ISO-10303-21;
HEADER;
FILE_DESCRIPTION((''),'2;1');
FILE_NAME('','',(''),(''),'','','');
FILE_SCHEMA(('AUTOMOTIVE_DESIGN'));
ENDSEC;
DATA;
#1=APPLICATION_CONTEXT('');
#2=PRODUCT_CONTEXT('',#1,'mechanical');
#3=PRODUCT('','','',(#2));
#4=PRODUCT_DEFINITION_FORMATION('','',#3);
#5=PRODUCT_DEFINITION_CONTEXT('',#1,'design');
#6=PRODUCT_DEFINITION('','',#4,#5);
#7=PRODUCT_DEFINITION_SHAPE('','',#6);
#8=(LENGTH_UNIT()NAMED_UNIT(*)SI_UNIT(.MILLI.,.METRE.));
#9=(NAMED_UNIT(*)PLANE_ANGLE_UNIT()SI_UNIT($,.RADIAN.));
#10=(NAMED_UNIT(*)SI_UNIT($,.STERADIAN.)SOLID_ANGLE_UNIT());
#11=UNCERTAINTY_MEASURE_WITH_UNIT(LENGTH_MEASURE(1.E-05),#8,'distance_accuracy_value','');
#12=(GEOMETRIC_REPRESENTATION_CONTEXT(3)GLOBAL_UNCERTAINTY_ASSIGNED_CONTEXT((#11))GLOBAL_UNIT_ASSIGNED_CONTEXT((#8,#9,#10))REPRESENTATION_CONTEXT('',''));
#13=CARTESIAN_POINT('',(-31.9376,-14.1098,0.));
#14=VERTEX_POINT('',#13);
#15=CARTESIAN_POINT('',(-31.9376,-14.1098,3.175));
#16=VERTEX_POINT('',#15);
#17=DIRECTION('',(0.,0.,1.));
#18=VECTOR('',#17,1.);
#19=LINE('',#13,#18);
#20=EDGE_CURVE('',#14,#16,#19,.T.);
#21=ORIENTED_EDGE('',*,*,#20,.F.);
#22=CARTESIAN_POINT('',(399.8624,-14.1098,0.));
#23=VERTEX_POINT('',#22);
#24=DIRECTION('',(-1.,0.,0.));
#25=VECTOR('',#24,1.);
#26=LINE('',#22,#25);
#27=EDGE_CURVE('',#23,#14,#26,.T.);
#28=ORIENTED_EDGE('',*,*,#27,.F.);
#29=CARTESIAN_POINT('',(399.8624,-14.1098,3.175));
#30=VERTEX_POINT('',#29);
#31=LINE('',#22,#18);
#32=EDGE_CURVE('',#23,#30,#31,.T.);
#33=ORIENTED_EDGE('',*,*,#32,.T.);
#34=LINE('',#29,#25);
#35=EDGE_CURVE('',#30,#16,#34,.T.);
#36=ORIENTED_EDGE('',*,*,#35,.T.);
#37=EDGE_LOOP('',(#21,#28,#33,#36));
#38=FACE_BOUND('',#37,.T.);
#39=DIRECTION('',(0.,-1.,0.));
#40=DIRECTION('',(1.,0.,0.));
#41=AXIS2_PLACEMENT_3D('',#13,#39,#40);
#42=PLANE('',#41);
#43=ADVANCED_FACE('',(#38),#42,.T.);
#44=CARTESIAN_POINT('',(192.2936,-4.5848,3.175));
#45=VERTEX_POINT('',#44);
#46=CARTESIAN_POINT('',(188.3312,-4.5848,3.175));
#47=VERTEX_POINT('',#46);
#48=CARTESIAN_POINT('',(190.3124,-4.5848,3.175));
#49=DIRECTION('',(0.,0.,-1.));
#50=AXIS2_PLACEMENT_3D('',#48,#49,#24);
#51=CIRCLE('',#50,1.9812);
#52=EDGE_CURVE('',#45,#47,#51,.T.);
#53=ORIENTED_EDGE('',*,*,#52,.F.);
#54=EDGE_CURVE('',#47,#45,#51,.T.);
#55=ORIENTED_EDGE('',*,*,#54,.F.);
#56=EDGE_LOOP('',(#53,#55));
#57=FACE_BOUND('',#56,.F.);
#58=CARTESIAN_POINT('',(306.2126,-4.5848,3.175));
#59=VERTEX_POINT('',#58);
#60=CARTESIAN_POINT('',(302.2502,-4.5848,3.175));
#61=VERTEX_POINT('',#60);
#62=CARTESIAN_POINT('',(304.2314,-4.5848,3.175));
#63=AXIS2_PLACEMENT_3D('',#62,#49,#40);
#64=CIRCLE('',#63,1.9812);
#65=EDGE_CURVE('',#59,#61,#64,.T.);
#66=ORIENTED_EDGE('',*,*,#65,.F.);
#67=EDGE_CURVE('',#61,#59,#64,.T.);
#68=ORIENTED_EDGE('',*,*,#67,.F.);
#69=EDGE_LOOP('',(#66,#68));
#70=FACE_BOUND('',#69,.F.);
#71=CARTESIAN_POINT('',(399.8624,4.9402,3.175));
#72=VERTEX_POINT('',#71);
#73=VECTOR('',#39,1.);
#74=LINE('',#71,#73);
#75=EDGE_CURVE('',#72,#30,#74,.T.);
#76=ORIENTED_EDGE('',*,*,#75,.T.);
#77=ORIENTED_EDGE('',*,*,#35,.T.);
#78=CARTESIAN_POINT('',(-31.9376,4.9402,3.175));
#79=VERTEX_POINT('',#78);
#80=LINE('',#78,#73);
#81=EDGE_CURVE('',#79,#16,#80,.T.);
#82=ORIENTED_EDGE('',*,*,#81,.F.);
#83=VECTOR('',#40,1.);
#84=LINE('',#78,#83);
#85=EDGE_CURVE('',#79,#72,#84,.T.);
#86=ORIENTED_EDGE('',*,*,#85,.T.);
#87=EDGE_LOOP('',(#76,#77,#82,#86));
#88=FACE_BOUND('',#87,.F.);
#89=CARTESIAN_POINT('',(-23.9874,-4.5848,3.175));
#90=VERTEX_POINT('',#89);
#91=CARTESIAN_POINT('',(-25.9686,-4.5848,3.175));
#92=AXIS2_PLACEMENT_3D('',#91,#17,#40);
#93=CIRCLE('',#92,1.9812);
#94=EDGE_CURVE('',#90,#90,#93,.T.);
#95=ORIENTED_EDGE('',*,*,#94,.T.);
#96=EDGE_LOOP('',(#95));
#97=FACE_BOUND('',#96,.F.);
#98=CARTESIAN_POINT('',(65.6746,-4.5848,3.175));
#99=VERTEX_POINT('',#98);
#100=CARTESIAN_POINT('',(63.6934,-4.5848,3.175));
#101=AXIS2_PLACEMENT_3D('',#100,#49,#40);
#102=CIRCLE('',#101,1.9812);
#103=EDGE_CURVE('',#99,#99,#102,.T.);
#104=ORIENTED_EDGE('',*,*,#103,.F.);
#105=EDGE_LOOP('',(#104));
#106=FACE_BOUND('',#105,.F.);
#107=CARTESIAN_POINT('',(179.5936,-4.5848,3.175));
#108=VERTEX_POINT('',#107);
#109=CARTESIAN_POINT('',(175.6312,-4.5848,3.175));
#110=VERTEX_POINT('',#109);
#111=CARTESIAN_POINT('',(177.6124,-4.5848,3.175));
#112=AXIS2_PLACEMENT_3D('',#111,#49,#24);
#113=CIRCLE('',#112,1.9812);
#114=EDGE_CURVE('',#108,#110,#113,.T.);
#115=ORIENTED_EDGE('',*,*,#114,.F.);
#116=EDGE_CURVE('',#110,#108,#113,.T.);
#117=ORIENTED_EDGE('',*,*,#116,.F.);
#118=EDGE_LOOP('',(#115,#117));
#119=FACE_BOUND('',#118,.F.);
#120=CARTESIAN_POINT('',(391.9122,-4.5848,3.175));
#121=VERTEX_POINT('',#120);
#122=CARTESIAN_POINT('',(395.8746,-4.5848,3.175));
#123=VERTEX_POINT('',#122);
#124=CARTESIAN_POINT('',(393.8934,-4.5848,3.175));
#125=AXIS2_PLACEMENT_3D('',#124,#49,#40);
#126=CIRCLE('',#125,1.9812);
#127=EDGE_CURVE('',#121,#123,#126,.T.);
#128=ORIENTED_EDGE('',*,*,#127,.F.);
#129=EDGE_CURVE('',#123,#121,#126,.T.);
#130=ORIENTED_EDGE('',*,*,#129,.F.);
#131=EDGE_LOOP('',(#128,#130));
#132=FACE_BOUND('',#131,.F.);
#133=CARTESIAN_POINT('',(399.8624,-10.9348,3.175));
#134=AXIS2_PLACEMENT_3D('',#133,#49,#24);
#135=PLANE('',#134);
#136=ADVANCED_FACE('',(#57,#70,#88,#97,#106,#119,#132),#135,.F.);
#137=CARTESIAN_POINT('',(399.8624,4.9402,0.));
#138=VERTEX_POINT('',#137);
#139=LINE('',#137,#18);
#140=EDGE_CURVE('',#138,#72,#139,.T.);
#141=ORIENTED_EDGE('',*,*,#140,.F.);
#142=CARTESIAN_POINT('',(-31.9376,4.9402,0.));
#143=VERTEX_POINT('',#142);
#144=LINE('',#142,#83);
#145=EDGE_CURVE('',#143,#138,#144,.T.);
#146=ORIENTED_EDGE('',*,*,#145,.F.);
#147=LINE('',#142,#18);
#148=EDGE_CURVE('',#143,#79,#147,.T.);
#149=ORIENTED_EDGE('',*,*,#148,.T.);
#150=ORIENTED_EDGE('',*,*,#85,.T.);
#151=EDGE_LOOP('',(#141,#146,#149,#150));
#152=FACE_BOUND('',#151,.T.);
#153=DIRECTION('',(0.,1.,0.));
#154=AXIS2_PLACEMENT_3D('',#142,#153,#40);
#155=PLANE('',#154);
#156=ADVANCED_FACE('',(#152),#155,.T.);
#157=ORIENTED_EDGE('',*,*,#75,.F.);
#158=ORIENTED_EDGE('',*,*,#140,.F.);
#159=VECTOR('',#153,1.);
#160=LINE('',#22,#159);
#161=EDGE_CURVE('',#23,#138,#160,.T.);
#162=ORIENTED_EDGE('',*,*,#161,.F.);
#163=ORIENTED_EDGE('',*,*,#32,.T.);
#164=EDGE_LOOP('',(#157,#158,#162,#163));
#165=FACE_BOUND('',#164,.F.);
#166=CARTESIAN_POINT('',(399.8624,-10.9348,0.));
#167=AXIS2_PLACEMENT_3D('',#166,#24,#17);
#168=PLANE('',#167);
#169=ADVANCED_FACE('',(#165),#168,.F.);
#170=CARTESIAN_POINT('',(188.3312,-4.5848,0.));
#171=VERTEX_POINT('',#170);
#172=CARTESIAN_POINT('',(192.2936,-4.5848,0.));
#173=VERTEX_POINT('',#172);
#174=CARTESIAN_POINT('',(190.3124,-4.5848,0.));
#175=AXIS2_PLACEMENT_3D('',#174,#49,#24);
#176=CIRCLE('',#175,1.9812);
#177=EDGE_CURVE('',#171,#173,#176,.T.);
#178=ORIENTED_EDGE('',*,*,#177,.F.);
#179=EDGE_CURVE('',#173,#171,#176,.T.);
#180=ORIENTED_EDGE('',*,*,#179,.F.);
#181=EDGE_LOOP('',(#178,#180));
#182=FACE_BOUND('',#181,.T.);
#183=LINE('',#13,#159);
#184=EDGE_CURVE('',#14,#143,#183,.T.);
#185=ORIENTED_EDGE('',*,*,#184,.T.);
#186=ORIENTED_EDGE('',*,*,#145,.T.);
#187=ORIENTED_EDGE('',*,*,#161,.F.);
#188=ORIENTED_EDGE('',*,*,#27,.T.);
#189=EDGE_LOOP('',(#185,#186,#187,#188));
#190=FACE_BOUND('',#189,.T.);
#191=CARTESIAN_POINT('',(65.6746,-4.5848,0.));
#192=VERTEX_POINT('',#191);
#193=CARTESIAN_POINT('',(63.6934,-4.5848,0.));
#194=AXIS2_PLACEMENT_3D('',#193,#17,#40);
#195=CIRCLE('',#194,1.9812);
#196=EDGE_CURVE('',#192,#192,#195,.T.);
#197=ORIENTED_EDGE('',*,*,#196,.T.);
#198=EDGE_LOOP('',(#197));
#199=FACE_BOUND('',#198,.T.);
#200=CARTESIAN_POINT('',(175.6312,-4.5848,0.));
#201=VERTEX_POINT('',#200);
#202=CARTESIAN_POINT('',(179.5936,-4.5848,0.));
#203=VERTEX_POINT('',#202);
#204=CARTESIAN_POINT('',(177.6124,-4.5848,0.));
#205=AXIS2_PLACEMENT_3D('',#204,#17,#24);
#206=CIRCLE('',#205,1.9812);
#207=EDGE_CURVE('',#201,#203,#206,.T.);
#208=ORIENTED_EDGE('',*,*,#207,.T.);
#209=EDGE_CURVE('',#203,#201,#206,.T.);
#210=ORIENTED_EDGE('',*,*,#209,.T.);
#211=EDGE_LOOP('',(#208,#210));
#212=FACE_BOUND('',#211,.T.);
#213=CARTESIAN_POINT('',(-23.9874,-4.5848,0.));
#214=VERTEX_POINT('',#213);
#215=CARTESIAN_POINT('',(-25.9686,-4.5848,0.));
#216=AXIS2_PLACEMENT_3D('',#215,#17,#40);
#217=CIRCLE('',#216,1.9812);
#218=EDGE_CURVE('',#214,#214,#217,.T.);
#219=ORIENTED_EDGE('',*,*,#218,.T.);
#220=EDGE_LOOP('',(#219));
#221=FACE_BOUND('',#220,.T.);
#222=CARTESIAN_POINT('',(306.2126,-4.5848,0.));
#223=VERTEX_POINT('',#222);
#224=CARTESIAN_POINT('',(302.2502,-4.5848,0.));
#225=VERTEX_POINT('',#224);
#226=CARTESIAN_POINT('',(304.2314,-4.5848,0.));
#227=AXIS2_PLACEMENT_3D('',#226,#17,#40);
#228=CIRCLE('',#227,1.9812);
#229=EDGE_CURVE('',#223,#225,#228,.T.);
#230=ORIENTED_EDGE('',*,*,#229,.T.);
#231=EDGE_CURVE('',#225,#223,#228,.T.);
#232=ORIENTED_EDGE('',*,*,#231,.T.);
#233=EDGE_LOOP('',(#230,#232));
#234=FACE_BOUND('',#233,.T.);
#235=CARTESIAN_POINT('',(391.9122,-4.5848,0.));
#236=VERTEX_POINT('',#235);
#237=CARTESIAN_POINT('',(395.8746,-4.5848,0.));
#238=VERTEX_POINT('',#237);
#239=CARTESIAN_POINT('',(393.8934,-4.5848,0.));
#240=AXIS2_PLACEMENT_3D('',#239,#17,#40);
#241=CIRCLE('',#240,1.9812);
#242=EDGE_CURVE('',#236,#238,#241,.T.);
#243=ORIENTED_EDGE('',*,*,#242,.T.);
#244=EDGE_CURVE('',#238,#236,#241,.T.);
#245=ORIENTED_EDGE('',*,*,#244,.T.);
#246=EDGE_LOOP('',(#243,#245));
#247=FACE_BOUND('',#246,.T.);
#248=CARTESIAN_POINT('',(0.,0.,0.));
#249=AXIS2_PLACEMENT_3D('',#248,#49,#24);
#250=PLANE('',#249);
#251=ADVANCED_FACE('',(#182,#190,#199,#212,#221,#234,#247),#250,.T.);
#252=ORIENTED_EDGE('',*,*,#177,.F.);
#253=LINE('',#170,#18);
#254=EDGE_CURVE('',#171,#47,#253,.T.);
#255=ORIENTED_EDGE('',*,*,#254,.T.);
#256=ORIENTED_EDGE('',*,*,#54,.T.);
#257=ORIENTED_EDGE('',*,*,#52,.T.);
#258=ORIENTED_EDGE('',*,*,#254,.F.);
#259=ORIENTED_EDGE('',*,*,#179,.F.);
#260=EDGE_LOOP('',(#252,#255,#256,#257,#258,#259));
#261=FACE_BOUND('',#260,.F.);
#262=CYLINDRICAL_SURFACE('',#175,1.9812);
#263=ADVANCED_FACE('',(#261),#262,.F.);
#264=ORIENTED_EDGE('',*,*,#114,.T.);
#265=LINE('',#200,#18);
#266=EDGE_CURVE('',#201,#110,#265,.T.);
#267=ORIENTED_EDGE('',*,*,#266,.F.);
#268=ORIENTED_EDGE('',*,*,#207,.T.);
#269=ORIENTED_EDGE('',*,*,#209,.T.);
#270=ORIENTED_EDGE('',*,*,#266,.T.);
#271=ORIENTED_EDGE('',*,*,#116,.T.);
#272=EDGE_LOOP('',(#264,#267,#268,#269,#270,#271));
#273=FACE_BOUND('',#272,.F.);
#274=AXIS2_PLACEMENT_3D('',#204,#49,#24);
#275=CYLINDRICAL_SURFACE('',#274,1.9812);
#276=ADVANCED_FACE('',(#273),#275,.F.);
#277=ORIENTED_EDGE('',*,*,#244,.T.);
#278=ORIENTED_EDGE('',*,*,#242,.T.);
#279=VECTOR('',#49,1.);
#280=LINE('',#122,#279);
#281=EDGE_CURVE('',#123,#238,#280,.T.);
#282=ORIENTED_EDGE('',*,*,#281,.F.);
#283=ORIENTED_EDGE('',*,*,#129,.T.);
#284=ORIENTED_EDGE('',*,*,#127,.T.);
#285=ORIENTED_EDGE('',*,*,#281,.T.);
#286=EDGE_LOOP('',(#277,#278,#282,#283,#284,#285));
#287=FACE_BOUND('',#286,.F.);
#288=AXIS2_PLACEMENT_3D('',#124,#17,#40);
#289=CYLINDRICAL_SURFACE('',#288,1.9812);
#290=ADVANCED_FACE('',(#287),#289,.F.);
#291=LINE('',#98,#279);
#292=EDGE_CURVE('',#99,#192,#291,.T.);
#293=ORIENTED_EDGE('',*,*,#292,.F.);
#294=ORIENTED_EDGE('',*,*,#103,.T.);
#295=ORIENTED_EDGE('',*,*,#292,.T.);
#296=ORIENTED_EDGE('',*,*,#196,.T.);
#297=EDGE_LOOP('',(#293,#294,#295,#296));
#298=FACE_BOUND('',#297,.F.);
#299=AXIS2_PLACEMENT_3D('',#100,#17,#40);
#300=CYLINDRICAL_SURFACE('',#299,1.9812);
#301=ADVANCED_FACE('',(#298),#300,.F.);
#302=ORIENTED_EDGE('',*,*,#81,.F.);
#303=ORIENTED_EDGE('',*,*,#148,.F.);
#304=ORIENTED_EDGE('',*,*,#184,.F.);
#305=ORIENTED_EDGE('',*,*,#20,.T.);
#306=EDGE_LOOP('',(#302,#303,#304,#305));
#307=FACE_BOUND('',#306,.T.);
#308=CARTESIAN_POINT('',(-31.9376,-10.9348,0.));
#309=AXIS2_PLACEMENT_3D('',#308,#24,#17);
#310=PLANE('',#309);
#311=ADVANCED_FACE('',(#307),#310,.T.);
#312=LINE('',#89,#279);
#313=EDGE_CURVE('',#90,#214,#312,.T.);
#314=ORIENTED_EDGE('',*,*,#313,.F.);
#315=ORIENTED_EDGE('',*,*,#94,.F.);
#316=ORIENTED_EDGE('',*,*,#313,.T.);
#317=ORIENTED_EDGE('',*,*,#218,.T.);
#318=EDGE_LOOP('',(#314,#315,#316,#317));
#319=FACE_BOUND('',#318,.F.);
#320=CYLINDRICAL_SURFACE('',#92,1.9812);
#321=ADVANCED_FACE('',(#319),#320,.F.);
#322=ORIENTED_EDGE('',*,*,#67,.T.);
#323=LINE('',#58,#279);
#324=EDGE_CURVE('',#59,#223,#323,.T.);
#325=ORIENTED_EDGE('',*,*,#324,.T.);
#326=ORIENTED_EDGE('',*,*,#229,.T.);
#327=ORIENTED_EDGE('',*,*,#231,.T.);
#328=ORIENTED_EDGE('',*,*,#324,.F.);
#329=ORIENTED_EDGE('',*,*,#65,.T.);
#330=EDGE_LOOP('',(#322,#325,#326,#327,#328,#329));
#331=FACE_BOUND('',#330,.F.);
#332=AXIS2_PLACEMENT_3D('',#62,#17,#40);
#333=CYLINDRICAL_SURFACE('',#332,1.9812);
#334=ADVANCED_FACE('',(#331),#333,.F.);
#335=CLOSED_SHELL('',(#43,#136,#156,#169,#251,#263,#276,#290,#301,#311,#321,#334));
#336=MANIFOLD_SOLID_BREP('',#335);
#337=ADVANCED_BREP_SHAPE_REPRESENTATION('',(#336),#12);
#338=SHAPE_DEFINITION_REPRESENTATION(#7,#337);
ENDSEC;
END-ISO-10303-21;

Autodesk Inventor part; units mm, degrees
ref_plane "YZ Plane" through (0, 0, 0) normal (1, 0, 0) x (0, 1, 0)
ref_plane "XZ Plane" through (0, 0, 0) normal (0, 1, 0) x (-1, 0, 0)
ref_plane "XY Plane" through (0, 0, 0) normal (0, 0, 1) x (1, 0, 0)
sketch "Sketch1" plane through (0, 0, 0) normal (0, 0, 1) x (1, 0, 0)
  line L0 (-31.9376, 1.7652) -> (399.8624, 1.7652)
  line L1 (399.8624, 1.7652) -> (399.8624, -10.9348)
  line L2 (399.8624, -10.9348) -> (-31.9376, -10.9348)
  line L3 (-31.9376, -10.9348) -> (-31.9376, 1.7652)
  line L4 (183.9624, -4.5848) -> (-26.4766, -4.5848)
  line L5 (-26.4766, -4.5848) -> (394.4014, -4.5848)
  circle A0 centre (-26.4766, -4.5848) radius 1.9812
  circle A1 centre (394.4014, -4.5848) radius 1.9812
  point P0 (0, 0)
  dimension "d0" = 431.8
  dimension "d1" = 12.7
  dimension "d2" = 210.439
  dimension "d3" = 420.878
  dimension "d4" = 3.9624
  dimension "d5" = 3.9624
extrude "Extrusion1" add sketch "Sketch1" along normal blind 3.175
sketch "Sketch2" plane through (-31.9376, 1.7652, 0) normal (0, 1, 0) x (1, 0, 0)
  line L0 (0, -3.175) -> (431.8, -3.175) projected
  line L1 (431.8, 0) -> (431.8, -3.175) projected
  line L2 (0, 0) -> (431.8, 0) projected
  line L3 (0, 0) -> (0, -3.175) projected
  point P0 (31.9376, 0)
extrude "Extrusion2" add sketch "Sketch2" along normal blind 3.175
sketch "Sketch3" plane through (-31.9376, -10.9348, 0) normal (0, -1, 0) x (1, 0, 0)
  line L0 (431.8, 3.175) -> (0, 3.175) projected
  line L1 (0, 0) -> (0, 3.175) projected
  line L2 (431.8, 0) -> (0, 0) projected
  line L3 (431.8, 0) -> (431.8, 3.175) projected
  point P0 (31.9376, 0)
extrude "Extrusion3" add sketch "Sketch3" along normal blind 3.175
sketch "Sketch4" plane through (0, 0, 3.175) normal (0, 0, 1) x (1, 0, 0)
  circle A0 centre (394.4014, -4.5848) radius 1.9812 projected
  circle A1 centre (-26.4766, -4.5848) radius 1.9812 projected
  line L0 (-31.9376, -14.1098) -> (399.8624, -14.1098) projected
  line L1 (394.4014, -4.5848) -> (298.7704, -4.5848)
  line L2 (-26.4766, -4.5848) -> (69.1544, -4.5848)
  circle A2 centre (69.1544, -4.5848) radius 1.9812
  circle A3 centre (298.7704, -4.5848) radius 1.9812
  point P0 (0, 0)
  dimension "d12" = 95.631
  dimension "d13" = 95.631
extrude "Extrusion4" cut sketch "Sketch4" against normal blind 25.4 contours A3 | A2
sketch "Sketch5" plane through (0, 0, 0) normal (0, 0, -1) x (-1, 0, 0)
  circle A0 centre (-298.7704, -4.5848) radius 1.9812 projected
  point P0 (0, 0)
extrude "Extrusion5" add sketch "Sketch5" against normal blind 3.175
sketch "Sketch6" plane through (0, 0, 0) normal (0, 0, -1) x (-1, 0, 0)
  circle A0 centre (-69.1544, -4.5848) radius 1.9812 projected
  point P0 (0, 0)
extrude "Extrusion6" add sketch "Sketch6" against normal blind 3.175
sketch "Sketch7" plane through (0, 0, 0) normal (0, 0, -1) x (-1, 0, 0)
  circle A0 centre (-394.4014, -4.5848) radius 1.9812 projected
  circle A1 centre (26.4766, -4.5848) radius 1.9812 projected
  line L0 (31.9376, 4.9402) -> (-399.8624, 4.9402) projected
  line L1 (26.4766, -4.5848) -> (-63.1854, -4.5848)
  line L2 (-394.4014, -4.5848) -> (-304.7394, -4.5848)
  circle A2 centre (-304.7394, -4.5848) radius 1.9812
  circle A3 centre (-63.1854, -4.5848) radius 1.9812
  point P0 (0, 0)
  dimension "d20" = 89.662
  dimension "d21" = 89.662
extrude "Extrusion7" cut sketch "Sketch7" against normal blind 3.175 contours A2 | A3
sketch "Sketch8" plane through (0, 0, 3.175) normal (0, 0, 1) x (1, 0, 0)
  circle A0 centre (63.1854, -4.5848) radius 1.9812 projected
  circle A1 centre (304.7394, -4.5848) radius 1.9812 projected
  circle A2 centre (394.4014, -4.5848) radius 1.9812 projected
  circle A3 centre (-26.4766, -4.5848) radius 1.9812 projected
  point P0 (0, 0)
extrude "Extrusion8" add sketch "Sketch8" against normal blind 3.175
sketch "Sketch9" plane through (0, 0, 3.175) normal (0, 0, 1) x (1, 0, 0)
  line L0 (-31.9376, -14.1098) -> (399.8624, -14.1098) projected
  line L1 (183.9624, -4.5848) -> (304.2314, -4.5848)
  line L2 (304.2314, -4.5848) -> (63.6934, -4.5848)
  circle A0 centre (304.2314, -4.5848) radius 1.9812
  circle A1 centre (63.6934, -4.5848) radius 1.9812
  line L3 (304.2314, -4.5848) -> (393.8934, -4.5848)
  line L4 (63.6934, -4.5848) -> (-25.9686, -4.5848)
  circle A2 centre (393.8934, -4.5848) radius 1.9812
  circle A3 centre (-25.9686, -4.5848) radius 1.9812
  point P0 (0, 0)
  dimension "d26" = 120.269
  dimension "d27" = 240.538
  dimension "d28" = 3.9624
  dimension "d29" = 89.662
  dimension "d30" = 89.662
extrude "Extrusion9" cut sketch "Sketch9" against normal blind 3.175
sketch "Sketch10" plane through (0, 0, 0) normal (0, 0, -1) x (-1, 0, 0)
  line L0 (31.9376, 4.9402) -> (-399.8624, 4.9402) projected
  line L1 (-183.9624, -4.5848) -> (-177.6124, -4.5848)
  line L2 (-177.6124, -4.5848) -> (-190.3124, -4.5848)
  circle A0 centre (-177.6124, -4.5848) radius 1.9812
  circle A1 centre (-190.3124, -4.5848) radius 1.9812
  point P0 (0, 0)
  dimension "d33" = 6.35
  dimension "d34" = 12.7
extrude "Extrusion10" cut sketch "Sketch10" against normal blind 3.175
properties part number "large"
